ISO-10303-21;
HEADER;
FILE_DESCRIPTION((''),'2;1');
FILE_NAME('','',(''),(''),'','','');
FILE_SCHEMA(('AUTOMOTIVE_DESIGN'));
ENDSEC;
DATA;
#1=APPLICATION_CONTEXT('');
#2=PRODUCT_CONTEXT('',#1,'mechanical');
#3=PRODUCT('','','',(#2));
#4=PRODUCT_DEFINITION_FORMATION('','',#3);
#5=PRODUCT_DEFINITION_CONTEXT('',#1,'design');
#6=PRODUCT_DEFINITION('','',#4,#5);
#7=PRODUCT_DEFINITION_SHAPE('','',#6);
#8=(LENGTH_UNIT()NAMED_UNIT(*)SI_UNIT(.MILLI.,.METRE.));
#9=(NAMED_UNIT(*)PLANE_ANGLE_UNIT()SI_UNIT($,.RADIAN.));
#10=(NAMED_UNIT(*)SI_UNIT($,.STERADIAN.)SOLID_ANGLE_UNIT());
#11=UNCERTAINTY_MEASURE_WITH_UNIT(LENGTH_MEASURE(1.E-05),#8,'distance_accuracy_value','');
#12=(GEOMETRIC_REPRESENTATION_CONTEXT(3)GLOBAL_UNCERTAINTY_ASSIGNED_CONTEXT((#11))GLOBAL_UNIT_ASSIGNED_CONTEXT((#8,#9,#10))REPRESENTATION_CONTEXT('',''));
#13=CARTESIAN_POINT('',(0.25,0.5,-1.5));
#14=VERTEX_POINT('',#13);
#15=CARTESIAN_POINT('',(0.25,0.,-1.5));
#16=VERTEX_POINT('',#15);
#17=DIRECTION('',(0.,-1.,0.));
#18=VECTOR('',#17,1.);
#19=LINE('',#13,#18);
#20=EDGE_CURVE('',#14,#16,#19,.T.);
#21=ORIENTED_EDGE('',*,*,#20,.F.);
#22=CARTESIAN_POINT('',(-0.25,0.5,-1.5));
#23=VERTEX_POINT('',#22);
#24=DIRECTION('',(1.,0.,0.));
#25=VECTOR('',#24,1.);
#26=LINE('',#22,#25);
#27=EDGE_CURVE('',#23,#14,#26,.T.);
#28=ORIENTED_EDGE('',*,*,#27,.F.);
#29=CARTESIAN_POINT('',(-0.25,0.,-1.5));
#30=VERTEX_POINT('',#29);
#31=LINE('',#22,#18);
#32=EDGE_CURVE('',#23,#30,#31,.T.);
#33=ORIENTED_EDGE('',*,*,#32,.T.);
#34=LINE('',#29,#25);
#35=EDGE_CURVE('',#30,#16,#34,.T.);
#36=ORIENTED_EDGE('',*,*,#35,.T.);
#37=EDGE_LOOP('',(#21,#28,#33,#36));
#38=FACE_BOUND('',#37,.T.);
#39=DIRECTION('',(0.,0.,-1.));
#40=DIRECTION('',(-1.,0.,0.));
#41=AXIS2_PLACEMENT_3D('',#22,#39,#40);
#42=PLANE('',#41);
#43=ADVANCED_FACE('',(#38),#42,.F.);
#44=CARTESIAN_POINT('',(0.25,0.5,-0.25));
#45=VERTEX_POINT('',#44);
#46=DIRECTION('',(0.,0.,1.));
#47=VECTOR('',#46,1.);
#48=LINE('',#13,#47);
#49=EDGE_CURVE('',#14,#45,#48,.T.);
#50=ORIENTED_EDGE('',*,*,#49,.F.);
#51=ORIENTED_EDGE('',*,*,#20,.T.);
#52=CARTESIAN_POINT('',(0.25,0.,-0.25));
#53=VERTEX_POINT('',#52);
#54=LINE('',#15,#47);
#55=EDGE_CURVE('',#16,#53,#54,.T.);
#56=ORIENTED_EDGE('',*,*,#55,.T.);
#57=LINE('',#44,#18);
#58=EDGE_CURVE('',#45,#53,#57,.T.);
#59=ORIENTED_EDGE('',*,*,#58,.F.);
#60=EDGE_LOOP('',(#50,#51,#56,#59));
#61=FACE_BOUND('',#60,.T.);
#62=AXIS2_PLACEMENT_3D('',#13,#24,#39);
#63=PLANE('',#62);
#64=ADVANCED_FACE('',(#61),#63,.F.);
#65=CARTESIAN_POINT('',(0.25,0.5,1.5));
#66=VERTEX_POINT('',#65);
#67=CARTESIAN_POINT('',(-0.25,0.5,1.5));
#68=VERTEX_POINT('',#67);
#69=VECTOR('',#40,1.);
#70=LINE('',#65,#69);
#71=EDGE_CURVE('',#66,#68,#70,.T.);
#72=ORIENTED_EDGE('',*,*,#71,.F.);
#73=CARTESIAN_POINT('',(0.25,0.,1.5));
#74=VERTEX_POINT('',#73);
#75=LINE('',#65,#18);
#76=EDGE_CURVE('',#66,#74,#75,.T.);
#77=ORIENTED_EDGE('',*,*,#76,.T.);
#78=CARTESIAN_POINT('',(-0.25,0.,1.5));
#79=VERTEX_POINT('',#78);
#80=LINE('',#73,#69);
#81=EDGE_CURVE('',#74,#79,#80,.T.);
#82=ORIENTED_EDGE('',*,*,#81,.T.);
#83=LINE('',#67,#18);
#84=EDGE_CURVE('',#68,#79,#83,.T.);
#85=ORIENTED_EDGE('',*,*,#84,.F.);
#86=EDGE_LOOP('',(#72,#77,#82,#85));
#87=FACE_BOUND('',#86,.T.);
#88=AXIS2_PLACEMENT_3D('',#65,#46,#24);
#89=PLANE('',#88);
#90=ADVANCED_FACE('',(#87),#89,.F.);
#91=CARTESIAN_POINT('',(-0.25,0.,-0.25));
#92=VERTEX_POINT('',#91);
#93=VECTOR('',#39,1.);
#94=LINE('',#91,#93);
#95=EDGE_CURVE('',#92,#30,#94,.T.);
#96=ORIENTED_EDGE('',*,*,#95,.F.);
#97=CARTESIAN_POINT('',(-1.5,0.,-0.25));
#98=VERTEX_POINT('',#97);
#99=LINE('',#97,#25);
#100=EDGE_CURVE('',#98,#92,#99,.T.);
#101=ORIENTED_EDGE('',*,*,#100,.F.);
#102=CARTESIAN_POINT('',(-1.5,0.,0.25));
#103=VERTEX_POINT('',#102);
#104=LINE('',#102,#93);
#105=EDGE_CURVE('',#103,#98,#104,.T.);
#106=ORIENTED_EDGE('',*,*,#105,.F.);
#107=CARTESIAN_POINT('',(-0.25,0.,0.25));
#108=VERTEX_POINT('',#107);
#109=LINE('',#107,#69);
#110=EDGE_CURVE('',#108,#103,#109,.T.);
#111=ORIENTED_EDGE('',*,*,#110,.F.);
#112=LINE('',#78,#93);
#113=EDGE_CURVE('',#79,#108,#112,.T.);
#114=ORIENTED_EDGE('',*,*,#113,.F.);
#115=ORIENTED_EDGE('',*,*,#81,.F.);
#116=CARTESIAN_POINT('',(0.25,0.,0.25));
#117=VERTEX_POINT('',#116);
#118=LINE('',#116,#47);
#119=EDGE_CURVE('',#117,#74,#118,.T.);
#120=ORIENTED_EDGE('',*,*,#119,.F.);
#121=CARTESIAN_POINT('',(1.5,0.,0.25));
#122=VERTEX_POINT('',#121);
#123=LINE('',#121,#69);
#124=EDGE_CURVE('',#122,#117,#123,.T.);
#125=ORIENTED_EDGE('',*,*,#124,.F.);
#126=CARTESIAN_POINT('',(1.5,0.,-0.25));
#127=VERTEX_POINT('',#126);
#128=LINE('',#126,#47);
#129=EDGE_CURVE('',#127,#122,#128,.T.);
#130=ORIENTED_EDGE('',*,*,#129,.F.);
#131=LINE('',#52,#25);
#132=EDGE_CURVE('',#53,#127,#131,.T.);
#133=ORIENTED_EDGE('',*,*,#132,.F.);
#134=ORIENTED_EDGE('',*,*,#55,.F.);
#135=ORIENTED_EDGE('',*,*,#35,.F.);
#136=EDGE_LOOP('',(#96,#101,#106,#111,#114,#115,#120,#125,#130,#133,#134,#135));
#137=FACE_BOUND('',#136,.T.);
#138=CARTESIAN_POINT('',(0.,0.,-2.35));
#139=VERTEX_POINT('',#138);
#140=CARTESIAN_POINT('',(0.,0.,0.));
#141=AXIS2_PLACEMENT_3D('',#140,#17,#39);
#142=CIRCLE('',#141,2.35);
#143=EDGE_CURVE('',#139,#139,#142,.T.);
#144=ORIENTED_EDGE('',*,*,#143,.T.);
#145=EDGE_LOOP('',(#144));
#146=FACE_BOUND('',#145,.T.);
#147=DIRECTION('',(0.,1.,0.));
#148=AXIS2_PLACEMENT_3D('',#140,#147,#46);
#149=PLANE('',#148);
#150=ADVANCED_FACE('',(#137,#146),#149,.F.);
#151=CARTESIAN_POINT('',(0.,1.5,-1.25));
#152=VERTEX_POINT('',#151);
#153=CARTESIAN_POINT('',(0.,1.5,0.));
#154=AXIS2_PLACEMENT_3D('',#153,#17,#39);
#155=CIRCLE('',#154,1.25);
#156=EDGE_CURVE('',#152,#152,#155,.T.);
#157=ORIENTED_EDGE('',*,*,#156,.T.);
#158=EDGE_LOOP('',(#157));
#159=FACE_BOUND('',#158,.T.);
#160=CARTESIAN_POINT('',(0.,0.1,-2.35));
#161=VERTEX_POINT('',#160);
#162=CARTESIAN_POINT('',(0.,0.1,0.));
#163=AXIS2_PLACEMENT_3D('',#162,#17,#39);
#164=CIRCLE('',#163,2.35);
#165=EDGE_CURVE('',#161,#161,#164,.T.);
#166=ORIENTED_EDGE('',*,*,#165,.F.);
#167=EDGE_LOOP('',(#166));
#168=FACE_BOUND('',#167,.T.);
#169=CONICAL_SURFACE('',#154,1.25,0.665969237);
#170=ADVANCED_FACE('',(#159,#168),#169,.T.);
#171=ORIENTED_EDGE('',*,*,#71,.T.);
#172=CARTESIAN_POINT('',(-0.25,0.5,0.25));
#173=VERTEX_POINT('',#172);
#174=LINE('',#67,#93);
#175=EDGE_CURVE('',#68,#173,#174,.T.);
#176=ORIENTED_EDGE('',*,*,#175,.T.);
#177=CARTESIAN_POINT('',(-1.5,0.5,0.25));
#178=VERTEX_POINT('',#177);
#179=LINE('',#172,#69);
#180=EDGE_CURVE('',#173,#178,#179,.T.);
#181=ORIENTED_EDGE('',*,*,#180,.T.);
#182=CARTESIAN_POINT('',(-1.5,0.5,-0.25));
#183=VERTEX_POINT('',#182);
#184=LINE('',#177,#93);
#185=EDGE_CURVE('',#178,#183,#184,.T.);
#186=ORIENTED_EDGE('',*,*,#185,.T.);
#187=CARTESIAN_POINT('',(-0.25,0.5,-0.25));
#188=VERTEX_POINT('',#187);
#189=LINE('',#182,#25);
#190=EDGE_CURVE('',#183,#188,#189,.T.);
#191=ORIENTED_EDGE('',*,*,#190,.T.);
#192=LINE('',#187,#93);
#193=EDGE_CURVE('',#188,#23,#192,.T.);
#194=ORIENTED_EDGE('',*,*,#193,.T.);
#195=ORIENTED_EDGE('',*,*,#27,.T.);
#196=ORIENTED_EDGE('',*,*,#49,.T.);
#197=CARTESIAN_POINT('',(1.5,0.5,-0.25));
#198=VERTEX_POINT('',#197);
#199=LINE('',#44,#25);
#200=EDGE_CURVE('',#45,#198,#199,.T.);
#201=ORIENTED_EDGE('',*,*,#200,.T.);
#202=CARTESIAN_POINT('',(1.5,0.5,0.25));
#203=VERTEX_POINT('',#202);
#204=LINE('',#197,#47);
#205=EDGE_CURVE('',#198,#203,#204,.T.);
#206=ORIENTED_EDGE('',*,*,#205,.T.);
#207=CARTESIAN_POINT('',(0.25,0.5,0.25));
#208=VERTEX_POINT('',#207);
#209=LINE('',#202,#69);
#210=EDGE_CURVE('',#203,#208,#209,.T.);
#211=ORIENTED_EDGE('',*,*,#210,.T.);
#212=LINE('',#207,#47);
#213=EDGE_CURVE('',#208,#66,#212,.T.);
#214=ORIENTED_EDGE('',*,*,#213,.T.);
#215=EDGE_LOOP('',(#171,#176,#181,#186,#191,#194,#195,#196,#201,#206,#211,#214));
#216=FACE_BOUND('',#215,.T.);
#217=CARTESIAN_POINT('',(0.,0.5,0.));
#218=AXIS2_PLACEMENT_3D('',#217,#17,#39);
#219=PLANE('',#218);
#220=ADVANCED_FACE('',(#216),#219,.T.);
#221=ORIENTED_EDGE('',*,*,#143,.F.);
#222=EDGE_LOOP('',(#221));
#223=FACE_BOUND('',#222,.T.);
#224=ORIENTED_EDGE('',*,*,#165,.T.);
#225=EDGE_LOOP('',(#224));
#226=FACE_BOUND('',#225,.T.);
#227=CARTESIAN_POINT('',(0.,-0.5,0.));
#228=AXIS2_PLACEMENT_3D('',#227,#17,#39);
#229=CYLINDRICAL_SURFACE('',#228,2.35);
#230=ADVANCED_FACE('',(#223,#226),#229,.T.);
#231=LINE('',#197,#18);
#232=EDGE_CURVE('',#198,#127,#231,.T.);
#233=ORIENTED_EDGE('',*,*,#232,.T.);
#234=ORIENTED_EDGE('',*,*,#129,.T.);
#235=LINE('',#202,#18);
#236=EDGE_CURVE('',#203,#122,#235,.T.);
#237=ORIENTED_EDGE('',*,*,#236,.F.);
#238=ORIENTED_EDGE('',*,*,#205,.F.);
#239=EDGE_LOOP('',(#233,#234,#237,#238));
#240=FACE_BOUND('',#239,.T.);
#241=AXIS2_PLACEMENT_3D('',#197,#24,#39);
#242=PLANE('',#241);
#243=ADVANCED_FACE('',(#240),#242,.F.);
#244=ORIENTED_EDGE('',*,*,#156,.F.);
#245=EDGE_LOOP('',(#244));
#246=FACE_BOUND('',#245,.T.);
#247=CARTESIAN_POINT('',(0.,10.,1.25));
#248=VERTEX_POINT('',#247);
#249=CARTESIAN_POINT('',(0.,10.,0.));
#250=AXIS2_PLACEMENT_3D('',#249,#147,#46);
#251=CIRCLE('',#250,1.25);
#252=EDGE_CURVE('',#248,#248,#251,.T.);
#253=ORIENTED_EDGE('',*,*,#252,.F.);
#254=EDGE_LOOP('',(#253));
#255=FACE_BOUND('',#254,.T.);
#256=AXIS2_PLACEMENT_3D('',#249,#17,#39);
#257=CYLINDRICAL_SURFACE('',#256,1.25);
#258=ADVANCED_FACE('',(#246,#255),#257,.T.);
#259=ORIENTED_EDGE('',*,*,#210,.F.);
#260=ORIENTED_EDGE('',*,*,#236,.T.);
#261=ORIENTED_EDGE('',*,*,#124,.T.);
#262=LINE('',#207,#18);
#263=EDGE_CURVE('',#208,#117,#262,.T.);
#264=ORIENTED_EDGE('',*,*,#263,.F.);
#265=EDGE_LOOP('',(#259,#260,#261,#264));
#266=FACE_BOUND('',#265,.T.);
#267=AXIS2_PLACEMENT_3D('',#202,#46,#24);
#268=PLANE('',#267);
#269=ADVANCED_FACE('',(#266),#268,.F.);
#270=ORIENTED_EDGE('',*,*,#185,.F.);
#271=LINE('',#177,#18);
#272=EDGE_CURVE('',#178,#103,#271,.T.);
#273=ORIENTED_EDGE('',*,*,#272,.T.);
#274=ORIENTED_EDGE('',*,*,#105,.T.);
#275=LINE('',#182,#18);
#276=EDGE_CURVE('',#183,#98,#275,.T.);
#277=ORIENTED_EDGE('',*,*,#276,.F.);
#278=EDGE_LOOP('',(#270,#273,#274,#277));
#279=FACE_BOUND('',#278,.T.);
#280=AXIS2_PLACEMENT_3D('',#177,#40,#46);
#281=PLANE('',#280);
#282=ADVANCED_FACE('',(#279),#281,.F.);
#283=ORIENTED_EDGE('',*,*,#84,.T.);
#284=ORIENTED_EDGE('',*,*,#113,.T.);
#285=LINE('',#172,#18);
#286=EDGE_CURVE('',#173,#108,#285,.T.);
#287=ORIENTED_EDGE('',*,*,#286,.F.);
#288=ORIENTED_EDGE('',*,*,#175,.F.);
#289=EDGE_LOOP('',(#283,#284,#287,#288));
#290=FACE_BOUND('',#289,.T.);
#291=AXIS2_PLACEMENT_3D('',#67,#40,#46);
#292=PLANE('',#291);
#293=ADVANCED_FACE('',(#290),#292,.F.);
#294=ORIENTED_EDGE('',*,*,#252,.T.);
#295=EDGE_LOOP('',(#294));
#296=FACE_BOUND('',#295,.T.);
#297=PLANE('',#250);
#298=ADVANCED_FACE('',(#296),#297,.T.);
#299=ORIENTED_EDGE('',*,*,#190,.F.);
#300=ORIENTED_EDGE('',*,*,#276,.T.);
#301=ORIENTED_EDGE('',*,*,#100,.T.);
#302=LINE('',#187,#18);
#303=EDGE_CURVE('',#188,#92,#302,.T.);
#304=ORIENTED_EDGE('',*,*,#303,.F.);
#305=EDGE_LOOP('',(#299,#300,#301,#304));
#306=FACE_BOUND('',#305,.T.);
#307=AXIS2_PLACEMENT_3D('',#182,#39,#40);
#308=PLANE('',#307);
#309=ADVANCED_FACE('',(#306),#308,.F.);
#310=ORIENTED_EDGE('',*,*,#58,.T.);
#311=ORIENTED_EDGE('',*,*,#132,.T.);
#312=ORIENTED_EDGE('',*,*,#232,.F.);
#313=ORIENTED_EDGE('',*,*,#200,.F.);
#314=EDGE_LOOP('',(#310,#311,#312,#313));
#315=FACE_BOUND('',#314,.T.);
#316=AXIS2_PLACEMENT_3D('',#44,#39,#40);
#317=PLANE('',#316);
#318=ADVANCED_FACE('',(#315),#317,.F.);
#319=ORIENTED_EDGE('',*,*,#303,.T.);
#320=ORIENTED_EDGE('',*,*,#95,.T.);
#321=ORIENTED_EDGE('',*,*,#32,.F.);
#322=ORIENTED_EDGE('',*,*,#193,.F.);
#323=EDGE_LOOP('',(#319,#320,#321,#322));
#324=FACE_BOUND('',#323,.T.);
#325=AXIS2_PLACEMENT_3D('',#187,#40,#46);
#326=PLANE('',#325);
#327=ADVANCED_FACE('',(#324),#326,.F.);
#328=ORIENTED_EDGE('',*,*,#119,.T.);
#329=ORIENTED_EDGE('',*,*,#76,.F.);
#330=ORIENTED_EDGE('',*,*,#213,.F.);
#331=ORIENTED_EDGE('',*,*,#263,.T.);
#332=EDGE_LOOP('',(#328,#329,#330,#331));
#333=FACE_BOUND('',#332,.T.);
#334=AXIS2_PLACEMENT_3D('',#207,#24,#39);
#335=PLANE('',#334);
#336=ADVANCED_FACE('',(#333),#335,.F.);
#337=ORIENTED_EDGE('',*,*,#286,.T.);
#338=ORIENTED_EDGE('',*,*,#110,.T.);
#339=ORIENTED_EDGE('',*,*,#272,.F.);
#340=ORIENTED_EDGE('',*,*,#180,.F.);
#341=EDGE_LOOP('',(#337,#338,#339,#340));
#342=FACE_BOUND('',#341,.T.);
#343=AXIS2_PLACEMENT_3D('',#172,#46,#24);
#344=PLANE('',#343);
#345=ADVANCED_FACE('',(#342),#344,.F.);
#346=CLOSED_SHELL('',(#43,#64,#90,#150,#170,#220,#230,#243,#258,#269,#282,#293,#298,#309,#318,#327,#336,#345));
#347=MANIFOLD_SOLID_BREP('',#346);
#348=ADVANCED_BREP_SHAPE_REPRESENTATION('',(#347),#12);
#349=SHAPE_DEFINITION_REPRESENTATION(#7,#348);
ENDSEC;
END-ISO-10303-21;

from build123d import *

# Parameters (mm, degrees)
SKETCH1_R           = 1.25
BOSS_EXTRUDE1_DEPTH = 10
CUT_EXTRUDE1_DEPTH  = 0.5


with BuildPart() as part:
    # Sketch1 → Boss-Extrude1 (new body)
    with BuildSketch(Plane(origin=(0, 0, 0), x_dir=(1, 0, 0), z_dir=(0, 1, 0))):
        with Locations(Location((0, 0, 0), (0, 0, 270))):
            Circle(SKETCH1_R)
    extrude(amount=BOSS_EXTRUDE1_DEPTH)

    # Sketch2 → Revolve1 (revolve)
    with BuildSketch(Plane(origin=(0, 0, 0), x_dir=(0, 0, -1), z_dir=(1, 0, 0)), mode=Mode.PRIVATE) as revolve1_sk:
        Polygon((0, 0), (0, 1.5), (-1.25, 1.5), (-2.35, 0.1), (-2.35, 0), align=None)
    revolve(revolve1_sk.sketch.rotate(Axis((0, -0.5, 0), (0, 1, 0)), 180), axis=Axis((0, -0.5, 0), (0, 1, 0)))

    # Sketch3 → Cut-Extrude1 (cut)
    with BuildSketch(Plane.XZ):
        Polygon((-1.5, -0.25), (-0.25, -0.25), (-0.25, -1.5), (0.25, -1.5), (0.25, -0.25), (1.5, -0.25), (1.5, 0.25), (0.25, 0.25), (0.25, 1.5), (-0.25, 1.5), (-0.25, 0.25), (-1.5, 0.25), align=None)
    extrude(amount=-CUT_EXTRUDE1_DEPTH, mode=Mode.SUBTRACT)


solid = part.part
